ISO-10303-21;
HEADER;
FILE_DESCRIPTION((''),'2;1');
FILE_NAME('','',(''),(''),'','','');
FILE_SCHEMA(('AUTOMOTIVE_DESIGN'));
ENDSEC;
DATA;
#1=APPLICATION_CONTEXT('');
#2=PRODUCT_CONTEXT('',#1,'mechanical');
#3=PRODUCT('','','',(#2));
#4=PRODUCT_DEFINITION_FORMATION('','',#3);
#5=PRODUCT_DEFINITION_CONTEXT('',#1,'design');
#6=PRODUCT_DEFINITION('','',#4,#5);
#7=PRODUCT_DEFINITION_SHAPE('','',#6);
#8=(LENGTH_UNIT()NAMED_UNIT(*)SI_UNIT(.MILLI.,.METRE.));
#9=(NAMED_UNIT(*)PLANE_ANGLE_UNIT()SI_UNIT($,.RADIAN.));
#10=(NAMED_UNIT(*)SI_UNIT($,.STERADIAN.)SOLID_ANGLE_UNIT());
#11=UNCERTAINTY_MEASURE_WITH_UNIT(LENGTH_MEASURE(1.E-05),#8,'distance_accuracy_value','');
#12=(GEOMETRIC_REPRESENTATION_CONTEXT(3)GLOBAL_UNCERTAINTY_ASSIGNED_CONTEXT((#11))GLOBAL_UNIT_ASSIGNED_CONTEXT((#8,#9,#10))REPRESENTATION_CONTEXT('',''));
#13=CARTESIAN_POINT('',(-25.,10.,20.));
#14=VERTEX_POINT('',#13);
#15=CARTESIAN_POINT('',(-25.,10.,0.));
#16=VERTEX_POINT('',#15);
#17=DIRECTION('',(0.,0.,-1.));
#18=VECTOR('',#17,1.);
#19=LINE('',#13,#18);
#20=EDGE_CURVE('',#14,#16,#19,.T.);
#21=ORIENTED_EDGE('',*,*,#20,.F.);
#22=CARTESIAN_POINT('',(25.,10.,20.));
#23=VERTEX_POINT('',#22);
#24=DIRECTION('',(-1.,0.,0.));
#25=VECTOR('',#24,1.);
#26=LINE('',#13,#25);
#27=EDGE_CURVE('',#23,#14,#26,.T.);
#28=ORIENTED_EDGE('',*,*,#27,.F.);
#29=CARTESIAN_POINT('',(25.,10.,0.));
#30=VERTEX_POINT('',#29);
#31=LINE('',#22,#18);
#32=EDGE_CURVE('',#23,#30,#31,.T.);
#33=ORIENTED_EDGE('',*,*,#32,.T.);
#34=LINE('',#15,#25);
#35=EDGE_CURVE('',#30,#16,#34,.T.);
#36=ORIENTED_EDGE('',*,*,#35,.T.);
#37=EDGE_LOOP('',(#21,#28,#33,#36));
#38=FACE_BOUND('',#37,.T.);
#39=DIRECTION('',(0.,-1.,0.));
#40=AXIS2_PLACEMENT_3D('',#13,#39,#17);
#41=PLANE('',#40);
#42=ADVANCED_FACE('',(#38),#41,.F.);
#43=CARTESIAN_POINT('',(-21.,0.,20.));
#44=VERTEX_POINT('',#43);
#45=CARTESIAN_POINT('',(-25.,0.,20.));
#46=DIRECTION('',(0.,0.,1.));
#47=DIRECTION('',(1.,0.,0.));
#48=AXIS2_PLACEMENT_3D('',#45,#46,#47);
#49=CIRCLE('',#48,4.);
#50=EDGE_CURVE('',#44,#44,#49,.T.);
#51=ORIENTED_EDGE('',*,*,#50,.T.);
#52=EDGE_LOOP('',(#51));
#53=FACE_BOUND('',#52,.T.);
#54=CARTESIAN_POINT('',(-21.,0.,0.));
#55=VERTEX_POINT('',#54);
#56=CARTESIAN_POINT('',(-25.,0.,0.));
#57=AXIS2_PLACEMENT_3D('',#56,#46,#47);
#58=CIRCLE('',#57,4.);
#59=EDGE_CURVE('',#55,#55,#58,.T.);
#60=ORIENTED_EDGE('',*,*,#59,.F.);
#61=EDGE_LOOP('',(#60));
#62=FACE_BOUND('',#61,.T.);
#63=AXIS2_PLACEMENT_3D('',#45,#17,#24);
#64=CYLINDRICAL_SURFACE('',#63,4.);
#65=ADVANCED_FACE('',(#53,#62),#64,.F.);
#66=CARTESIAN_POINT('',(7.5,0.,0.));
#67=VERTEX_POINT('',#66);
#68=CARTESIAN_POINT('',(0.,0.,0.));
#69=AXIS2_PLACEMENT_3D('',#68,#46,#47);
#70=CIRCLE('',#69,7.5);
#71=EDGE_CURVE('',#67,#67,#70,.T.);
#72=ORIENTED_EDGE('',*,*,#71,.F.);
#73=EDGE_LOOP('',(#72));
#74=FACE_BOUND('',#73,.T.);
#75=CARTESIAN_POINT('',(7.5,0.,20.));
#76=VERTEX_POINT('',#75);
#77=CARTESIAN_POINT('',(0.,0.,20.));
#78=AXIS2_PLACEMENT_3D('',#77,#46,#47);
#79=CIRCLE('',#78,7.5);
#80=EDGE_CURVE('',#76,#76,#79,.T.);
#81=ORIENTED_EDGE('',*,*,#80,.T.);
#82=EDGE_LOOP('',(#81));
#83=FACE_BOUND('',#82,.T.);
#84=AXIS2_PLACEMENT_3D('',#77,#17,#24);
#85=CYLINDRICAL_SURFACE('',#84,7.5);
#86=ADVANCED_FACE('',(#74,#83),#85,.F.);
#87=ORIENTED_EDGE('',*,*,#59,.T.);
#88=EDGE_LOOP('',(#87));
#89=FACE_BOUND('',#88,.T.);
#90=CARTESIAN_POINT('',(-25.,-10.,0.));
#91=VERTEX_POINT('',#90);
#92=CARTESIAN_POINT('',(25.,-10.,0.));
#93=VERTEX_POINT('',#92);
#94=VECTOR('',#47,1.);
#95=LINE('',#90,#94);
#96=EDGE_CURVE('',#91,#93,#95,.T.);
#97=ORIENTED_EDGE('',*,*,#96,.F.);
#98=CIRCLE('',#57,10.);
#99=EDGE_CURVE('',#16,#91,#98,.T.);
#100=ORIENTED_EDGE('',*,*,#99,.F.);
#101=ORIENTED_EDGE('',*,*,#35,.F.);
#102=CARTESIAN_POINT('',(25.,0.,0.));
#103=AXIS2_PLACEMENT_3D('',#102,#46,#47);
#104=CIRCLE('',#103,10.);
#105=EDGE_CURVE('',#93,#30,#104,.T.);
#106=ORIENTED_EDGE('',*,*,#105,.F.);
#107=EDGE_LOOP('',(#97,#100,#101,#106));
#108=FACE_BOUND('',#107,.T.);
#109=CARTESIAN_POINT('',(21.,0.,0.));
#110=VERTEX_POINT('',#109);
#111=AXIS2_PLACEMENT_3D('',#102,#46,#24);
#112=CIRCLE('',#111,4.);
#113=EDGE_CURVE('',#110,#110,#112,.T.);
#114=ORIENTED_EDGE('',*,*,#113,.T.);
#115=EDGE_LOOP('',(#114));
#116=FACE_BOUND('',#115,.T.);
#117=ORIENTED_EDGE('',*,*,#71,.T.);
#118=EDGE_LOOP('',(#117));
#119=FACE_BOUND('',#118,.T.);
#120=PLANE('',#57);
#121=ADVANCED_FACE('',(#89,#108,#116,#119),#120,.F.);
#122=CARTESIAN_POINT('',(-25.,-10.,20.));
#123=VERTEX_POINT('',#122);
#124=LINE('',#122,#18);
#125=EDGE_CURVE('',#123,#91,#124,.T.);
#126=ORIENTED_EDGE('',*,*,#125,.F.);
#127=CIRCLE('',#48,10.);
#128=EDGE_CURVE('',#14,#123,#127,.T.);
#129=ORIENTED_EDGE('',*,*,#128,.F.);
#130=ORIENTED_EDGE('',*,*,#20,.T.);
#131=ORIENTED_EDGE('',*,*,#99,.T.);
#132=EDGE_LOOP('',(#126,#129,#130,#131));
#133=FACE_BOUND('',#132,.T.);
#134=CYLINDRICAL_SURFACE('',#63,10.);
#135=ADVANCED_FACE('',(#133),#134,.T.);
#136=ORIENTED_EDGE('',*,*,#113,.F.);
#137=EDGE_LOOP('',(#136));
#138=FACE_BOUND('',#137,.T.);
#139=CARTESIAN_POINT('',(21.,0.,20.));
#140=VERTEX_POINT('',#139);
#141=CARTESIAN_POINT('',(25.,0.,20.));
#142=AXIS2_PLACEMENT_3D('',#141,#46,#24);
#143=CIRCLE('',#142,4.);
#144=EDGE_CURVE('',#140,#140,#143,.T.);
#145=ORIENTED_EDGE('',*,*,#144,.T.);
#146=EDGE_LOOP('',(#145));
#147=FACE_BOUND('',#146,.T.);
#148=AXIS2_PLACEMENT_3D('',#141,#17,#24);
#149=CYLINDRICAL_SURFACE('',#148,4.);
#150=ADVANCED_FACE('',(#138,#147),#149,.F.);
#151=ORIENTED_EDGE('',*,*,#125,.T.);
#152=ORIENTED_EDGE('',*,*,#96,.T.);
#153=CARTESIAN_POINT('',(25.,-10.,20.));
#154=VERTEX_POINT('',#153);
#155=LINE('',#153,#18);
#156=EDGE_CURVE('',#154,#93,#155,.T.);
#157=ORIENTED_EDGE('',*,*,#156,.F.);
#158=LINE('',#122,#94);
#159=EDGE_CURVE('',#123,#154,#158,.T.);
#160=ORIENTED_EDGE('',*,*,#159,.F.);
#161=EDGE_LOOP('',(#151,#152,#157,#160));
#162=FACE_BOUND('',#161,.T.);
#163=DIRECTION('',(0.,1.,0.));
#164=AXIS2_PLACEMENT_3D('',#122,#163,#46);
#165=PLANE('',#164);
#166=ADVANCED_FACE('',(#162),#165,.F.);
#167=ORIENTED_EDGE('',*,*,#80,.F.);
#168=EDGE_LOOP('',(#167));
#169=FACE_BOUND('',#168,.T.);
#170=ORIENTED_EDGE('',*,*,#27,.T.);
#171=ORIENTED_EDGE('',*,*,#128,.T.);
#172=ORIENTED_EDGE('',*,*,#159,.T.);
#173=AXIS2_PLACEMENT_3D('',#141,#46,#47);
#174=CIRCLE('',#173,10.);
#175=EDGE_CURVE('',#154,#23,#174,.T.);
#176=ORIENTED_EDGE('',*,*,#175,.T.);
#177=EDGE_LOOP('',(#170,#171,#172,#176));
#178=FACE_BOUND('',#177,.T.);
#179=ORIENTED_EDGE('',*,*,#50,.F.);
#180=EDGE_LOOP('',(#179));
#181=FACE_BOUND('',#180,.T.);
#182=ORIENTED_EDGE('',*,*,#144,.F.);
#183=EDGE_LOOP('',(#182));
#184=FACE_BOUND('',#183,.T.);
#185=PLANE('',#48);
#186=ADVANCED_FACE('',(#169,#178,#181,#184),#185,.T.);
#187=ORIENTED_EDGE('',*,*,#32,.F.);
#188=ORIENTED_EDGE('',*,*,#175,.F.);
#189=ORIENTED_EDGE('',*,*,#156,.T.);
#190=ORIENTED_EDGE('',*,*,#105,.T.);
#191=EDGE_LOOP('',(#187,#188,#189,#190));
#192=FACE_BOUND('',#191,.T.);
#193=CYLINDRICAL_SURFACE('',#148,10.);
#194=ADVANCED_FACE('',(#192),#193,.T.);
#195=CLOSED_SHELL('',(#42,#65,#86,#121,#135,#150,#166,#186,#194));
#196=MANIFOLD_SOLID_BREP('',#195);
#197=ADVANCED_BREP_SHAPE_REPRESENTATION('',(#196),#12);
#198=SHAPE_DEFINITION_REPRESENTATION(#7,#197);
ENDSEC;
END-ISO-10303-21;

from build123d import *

# Parameters (mm, degrees)
SKETCH_1_R      = 7.5
SKETCH_1_R_2    = 4
EXTRUDE_1_DEPTH = 20


with BuildPart() as part:
    # 草图1 → 凸台-拉伸1 (new body)
    with BuildSketch(Plane.XY):
        with BuildLine():
            Line((-25, 10), (25, 10))
            ThreePointArc((25, 10), (35, 0), (25, -10))
            Line((25, -10), (-25, -10))
            ThreePointArc((-25, -10), (-35, 0), (-25, 10))
        make_face()
        Circle(SKETCH_1_R, mode=Mode.SUBTRACT)
        with Locations((-25, 0)):
            Circle(SKETCH_1_R_2, mode=Mode.SUBTRACT)
        with Locations(Location((25, 0, 0), (0, 0, 180))):
            Circle(SKETCH_1_R_2, mode=Mode.SUBTRACT)
    extrude(amount=EXTRUDE_1_DEPTH)


solid = part.part
